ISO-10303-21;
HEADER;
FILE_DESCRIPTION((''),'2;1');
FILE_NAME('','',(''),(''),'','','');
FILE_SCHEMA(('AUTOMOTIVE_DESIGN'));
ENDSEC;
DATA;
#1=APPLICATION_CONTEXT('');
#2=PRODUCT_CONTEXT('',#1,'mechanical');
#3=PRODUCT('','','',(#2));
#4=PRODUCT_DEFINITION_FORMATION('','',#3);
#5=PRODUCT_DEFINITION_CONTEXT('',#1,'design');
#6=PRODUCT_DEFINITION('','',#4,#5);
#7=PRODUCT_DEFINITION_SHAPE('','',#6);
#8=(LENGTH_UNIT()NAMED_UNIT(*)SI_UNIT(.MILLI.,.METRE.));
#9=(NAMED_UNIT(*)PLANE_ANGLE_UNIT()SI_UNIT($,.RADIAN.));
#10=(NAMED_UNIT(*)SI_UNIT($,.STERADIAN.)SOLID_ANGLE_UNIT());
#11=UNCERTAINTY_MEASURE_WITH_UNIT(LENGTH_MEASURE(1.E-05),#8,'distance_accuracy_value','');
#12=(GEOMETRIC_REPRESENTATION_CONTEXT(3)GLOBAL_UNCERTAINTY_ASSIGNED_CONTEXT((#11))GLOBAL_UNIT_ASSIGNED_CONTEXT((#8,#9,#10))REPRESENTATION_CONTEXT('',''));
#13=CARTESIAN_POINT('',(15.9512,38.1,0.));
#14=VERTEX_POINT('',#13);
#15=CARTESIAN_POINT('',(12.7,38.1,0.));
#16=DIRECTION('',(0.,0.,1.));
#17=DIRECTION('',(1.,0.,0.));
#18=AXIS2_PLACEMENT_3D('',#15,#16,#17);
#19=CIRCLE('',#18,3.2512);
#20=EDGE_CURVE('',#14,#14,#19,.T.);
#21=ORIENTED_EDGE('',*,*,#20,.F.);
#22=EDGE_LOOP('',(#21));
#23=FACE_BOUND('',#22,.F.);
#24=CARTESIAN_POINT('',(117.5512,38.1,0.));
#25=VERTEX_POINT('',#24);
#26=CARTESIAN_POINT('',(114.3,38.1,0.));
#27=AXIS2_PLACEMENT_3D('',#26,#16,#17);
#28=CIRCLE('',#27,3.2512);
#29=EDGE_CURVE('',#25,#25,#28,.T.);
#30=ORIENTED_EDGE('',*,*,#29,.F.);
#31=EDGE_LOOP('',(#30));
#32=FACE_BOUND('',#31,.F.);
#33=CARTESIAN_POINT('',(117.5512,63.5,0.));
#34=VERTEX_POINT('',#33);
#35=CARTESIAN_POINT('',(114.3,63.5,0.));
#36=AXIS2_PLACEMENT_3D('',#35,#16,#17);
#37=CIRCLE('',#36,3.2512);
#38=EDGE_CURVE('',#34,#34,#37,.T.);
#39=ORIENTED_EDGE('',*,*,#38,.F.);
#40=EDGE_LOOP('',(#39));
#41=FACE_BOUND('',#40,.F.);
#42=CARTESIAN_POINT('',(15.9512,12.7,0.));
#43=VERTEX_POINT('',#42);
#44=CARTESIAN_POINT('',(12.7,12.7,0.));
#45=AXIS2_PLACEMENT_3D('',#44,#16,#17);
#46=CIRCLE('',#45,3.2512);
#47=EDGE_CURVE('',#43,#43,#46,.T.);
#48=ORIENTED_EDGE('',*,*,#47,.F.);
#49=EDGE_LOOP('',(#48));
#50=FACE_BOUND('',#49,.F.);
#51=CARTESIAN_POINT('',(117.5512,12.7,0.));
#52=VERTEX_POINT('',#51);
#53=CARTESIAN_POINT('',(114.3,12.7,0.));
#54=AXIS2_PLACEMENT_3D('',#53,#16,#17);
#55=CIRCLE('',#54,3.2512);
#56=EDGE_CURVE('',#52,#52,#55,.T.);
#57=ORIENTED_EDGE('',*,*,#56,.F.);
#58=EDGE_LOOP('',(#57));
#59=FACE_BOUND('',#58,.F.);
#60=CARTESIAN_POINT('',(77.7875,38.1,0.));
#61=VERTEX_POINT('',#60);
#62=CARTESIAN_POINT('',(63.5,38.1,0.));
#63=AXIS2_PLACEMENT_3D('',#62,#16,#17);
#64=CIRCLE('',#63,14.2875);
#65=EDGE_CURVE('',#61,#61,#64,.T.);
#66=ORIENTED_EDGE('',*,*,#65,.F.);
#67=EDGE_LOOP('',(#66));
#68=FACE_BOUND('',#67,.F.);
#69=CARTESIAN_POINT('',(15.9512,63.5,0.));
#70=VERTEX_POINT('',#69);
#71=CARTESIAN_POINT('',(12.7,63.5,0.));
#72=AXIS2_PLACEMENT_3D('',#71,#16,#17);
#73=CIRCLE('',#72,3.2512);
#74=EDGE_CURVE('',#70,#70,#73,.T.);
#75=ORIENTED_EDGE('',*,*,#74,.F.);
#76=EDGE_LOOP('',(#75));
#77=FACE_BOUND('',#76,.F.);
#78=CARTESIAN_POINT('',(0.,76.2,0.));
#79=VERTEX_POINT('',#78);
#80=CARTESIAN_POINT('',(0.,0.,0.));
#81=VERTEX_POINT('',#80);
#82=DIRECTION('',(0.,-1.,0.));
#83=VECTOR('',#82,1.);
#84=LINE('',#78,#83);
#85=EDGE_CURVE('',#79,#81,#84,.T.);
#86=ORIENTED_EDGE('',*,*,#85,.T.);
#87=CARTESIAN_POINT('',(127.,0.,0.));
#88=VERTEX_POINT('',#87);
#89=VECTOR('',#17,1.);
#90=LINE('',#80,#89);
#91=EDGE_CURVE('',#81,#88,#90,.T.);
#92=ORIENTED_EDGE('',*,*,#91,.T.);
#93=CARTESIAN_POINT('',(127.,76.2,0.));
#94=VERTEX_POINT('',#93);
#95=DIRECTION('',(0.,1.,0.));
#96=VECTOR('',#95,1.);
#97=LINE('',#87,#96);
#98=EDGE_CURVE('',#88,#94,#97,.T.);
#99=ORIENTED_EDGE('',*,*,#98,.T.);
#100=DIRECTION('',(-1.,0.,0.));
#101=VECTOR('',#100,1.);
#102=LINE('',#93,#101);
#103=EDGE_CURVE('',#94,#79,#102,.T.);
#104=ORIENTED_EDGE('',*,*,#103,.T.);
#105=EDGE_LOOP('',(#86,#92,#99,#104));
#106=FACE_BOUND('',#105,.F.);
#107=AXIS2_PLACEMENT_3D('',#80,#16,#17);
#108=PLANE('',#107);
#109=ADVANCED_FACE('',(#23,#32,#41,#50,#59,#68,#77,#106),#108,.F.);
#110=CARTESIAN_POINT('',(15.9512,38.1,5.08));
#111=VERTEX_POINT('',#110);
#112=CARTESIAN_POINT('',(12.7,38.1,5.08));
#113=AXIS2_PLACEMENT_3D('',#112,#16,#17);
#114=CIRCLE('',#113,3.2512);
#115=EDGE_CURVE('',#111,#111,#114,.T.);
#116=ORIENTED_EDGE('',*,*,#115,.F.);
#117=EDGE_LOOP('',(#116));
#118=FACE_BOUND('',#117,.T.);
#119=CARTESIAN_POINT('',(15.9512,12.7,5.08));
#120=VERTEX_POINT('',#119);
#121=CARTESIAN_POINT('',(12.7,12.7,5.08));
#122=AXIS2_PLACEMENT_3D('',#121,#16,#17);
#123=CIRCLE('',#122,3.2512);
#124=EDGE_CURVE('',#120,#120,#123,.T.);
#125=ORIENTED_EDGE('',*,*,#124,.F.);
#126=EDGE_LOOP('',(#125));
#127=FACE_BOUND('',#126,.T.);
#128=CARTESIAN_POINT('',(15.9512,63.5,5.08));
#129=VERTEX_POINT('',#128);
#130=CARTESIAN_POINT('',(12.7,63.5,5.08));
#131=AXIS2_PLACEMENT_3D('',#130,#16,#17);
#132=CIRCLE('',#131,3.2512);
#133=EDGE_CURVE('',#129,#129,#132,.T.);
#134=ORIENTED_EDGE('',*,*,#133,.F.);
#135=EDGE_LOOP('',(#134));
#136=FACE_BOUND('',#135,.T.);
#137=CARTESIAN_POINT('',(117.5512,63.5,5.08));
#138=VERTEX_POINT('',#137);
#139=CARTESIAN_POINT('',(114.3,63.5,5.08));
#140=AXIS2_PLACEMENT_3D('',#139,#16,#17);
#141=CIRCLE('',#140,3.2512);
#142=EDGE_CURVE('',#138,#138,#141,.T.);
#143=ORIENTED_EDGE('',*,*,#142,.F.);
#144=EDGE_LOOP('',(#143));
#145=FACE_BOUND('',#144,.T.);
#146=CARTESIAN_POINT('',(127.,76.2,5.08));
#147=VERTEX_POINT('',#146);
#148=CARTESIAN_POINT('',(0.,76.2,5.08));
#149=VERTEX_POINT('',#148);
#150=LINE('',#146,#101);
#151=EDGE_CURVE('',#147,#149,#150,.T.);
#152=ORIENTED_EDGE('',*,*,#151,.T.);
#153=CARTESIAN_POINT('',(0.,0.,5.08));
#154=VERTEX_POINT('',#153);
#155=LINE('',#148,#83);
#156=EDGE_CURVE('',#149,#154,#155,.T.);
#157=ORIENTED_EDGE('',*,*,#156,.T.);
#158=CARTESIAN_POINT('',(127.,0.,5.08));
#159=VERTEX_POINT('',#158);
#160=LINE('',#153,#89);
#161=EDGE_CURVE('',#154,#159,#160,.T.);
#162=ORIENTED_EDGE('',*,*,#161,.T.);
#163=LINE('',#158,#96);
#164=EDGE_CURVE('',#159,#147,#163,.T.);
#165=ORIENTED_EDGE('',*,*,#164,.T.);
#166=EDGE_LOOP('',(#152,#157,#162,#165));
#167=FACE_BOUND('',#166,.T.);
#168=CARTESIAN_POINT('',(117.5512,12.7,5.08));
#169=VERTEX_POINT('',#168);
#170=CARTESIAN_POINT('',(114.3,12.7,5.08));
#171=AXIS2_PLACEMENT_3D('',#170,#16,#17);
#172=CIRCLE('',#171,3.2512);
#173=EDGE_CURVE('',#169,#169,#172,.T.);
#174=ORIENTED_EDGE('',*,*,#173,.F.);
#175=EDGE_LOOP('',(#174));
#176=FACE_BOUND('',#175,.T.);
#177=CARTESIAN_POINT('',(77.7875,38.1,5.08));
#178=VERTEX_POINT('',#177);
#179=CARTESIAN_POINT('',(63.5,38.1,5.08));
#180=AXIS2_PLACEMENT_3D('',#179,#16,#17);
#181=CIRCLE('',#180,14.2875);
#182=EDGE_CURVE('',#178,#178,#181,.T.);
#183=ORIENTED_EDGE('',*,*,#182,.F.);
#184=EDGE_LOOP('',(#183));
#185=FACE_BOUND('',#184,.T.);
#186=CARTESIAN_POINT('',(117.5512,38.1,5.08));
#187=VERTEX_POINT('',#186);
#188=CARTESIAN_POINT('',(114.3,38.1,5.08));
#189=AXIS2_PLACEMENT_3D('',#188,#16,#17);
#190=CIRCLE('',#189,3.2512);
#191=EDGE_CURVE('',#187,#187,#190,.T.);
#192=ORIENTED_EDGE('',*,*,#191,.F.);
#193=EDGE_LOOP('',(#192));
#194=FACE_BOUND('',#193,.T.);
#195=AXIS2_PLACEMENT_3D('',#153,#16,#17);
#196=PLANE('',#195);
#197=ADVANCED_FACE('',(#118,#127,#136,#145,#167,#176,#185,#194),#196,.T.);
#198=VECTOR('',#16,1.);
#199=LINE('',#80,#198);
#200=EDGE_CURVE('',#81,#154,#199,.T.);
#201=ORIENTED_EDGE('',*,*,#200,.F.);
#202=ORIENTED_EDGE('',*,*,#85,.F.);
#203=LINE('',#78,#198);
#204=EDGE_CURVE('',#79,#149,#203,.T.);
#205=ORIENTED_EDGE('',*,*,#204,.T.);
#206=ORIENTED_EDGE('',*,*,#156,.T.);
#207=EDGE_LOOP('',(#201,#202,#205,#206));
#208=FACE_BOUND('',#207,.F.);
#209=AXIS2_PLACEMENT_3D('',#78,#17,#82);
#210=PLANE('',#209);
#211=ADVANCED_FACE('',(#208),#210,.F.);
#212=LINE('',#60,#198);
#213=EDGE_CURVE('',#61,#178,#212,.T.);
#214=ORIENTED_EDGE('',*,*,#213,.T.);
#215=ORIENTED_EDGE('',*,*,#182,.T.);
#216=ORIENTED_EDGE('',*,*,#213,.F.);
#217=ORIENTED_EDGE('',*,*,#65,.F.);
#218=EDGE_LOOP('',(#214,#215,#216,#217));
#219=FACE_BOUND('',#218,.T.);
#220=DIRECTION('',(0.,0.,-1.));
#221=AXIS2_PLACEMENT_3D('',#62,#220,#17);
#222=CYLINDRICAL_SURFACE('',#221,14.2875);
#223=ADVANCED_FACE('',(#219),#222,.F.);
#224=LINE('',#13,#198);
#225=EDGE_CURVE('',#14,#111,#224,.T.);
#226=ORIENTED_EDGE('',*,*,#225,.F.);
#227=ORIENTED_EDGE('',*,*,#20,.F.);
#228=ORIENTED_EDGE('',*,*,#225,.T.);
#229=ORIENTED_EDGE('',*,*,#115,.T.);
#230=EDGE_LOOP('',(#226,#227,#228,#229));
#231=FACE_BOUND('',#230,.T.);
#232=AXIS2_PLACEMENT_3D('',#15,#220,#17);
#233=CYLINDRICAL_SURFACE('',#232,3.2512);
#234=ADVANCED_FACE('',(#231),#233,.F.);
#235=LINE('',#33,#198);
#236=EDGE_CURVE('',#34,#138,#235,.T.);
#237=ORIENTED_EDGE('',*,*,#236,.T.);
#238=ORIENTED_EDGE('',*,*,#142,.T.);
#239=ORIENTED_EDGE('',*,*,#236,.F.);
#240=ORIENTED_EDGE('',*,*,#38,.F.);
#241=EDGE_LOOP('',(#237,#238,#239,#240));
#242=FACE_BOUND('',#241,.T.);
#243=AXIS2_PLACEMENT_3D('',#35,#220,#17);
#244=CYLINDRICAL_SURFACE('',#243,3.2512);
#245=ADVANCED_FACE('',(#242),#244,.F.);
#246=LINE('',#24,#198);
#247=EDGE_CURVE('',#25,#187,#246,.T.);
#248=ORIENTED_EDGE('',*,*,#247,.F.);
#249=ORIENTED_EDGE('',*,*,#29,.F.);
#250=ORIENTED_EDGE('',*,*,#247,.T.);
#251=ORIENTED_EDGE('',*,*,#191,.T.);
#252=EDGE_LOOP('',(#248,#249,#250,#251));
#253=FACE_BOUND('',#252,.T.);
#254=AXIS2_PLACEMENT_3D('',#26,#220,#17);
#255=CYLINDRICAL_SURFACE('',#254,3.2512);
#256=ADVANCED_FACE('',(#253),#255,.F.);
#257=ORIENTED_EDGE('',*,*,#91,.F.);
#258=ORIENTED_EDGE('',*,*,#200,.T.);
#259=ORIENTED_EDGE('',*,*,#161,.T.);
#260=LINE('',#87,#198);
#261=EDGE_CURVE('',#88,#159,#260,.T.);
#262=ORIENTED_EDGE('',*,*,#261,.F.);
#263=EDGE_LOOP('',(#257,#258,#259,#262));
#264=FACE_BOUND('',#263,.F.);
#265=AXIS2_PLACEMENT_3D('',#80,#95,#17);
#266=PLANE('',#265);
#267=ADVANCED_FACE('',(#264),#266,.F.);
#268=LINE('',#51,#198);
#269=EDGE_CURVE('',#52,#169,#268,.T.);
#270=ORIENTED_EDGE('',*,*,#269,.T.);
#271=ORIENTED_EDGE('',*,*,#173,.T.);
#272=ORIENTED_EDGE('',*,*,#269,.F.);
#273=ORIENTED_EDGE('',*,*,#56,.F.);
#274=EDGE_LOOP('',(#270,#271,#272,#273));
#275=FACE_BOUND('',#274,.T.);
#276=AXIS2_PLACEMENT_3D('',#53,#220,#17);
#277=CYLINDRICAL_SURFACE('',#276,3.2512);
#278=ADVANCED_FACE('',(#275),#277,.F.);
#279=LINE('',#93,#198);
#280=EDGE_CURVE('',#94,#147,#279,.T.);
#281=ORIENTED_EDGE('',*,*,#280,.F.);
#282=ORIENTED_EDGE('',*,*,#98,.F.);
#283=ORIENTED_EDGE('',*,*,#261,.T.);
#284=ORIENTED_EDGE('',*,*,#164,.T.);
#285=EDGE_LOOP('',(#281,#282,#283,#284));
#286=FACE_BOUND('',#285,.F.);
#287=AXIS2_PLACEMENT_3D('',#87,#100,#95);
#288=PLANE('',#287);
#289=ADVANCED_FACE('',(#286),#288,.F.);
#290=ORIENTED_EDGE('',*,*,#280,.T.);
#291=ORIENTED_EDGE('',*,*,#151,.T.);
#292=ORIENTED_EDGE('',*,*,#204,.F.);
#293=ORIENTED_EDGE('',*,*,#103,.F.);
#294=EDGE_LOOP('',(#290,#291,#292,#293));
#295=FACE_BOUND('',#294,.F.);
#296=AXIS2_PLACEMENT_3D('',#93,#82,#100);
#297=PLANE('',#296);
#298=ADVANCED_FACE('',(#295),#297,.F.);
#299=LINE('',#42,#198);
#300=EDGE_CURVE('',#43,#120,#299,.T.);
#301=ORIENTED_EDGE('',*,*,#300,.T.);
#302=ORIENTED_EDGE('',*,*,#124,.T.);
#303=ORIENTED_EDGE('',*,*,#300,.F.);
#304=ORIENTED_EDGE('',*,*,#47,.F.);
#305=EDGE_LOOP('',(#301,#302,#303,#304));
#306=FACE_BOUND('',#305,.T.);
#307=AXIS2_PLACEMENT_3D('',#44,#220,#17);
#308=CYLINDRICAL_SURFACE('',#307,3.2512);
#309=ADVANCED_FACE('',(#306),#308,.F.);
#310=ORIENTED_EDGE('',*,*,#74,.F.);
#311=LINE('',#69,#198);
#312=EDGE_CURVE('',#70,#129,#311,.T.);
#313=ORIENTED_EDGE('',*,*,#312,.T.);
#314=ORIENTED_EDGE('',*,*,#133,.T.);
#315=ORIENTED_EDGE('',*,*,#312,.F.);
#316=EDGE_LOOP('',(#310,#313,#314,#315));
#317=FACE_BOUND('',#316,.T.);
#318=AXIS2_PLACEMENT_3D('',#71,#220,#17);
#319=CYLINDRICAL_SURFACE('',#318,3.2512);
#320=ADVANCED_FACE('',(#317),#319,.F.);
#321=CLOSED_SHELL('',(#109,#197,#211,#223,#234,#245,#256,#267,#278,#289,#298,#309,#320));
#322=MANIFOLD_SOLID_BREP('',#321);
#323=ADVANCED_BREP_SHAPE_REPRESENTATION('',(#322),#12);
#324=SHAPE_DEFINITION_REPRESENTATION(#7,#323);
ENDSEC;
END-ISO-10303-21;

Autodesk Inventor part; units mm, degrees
ref_plane "YZ Plane" through (0, 0, 0) normal (1, 0, 0) x (0, 1, 0)
ref_plane "XZ Plane" through (0, 0, 0) normal (0, 1, 0) x (-1, 0, 0)
ref_plane "XY Plane" through (0, 0, 0) normal (0, 0, 1) x (1, 0, 0)
sketch "Sketch1" plane through (0, 0, 0) normal (0, 0, 1) x (1, 0, 0)
  line L0 (0, 0) -> (127, 0)
  line L1 (127, 0) -> (127, 76.2)
  line L2 (127, 76.2) -> (0, 76.2)
  line L3 (0, 76.2) -> (0, 0)
  circle A0 centre (63.5, 38.1) radius 14.2875
  circle A1 centre (12.7, 63.5) radius 3.2512
  circle A2 centre (12.7, 38.1) radius 3.2512
  circle A3 centre (12.7, 12.7) radius 3.2512
  circle A4 centre (114.3, 63.5) radius 3.2512
  circle A5 centre (114.3, 38.1) radius 3.2512
  circle A6 centre (114.3, 12.7) radius 3.2512
  dimension "d0" = 127
  dimension "d1" = 76.2
  dimension "d2" = 38.1
  dimension "d3" = 63.5
  dimension "d4" = 28.575
  dimension "d5" = 6.5024
  dimension "d6" = 12.7
  dimension "d7" = 12.7
  dimension "d10" = 25.4
  dimension "d19" = 101.6
extrude "Extrusion2" add sketch "Sketch1" along normal blind 5.08
equation "\"d2\" = 0.5 * d1"
properties part number "Bearing Plate Short"
